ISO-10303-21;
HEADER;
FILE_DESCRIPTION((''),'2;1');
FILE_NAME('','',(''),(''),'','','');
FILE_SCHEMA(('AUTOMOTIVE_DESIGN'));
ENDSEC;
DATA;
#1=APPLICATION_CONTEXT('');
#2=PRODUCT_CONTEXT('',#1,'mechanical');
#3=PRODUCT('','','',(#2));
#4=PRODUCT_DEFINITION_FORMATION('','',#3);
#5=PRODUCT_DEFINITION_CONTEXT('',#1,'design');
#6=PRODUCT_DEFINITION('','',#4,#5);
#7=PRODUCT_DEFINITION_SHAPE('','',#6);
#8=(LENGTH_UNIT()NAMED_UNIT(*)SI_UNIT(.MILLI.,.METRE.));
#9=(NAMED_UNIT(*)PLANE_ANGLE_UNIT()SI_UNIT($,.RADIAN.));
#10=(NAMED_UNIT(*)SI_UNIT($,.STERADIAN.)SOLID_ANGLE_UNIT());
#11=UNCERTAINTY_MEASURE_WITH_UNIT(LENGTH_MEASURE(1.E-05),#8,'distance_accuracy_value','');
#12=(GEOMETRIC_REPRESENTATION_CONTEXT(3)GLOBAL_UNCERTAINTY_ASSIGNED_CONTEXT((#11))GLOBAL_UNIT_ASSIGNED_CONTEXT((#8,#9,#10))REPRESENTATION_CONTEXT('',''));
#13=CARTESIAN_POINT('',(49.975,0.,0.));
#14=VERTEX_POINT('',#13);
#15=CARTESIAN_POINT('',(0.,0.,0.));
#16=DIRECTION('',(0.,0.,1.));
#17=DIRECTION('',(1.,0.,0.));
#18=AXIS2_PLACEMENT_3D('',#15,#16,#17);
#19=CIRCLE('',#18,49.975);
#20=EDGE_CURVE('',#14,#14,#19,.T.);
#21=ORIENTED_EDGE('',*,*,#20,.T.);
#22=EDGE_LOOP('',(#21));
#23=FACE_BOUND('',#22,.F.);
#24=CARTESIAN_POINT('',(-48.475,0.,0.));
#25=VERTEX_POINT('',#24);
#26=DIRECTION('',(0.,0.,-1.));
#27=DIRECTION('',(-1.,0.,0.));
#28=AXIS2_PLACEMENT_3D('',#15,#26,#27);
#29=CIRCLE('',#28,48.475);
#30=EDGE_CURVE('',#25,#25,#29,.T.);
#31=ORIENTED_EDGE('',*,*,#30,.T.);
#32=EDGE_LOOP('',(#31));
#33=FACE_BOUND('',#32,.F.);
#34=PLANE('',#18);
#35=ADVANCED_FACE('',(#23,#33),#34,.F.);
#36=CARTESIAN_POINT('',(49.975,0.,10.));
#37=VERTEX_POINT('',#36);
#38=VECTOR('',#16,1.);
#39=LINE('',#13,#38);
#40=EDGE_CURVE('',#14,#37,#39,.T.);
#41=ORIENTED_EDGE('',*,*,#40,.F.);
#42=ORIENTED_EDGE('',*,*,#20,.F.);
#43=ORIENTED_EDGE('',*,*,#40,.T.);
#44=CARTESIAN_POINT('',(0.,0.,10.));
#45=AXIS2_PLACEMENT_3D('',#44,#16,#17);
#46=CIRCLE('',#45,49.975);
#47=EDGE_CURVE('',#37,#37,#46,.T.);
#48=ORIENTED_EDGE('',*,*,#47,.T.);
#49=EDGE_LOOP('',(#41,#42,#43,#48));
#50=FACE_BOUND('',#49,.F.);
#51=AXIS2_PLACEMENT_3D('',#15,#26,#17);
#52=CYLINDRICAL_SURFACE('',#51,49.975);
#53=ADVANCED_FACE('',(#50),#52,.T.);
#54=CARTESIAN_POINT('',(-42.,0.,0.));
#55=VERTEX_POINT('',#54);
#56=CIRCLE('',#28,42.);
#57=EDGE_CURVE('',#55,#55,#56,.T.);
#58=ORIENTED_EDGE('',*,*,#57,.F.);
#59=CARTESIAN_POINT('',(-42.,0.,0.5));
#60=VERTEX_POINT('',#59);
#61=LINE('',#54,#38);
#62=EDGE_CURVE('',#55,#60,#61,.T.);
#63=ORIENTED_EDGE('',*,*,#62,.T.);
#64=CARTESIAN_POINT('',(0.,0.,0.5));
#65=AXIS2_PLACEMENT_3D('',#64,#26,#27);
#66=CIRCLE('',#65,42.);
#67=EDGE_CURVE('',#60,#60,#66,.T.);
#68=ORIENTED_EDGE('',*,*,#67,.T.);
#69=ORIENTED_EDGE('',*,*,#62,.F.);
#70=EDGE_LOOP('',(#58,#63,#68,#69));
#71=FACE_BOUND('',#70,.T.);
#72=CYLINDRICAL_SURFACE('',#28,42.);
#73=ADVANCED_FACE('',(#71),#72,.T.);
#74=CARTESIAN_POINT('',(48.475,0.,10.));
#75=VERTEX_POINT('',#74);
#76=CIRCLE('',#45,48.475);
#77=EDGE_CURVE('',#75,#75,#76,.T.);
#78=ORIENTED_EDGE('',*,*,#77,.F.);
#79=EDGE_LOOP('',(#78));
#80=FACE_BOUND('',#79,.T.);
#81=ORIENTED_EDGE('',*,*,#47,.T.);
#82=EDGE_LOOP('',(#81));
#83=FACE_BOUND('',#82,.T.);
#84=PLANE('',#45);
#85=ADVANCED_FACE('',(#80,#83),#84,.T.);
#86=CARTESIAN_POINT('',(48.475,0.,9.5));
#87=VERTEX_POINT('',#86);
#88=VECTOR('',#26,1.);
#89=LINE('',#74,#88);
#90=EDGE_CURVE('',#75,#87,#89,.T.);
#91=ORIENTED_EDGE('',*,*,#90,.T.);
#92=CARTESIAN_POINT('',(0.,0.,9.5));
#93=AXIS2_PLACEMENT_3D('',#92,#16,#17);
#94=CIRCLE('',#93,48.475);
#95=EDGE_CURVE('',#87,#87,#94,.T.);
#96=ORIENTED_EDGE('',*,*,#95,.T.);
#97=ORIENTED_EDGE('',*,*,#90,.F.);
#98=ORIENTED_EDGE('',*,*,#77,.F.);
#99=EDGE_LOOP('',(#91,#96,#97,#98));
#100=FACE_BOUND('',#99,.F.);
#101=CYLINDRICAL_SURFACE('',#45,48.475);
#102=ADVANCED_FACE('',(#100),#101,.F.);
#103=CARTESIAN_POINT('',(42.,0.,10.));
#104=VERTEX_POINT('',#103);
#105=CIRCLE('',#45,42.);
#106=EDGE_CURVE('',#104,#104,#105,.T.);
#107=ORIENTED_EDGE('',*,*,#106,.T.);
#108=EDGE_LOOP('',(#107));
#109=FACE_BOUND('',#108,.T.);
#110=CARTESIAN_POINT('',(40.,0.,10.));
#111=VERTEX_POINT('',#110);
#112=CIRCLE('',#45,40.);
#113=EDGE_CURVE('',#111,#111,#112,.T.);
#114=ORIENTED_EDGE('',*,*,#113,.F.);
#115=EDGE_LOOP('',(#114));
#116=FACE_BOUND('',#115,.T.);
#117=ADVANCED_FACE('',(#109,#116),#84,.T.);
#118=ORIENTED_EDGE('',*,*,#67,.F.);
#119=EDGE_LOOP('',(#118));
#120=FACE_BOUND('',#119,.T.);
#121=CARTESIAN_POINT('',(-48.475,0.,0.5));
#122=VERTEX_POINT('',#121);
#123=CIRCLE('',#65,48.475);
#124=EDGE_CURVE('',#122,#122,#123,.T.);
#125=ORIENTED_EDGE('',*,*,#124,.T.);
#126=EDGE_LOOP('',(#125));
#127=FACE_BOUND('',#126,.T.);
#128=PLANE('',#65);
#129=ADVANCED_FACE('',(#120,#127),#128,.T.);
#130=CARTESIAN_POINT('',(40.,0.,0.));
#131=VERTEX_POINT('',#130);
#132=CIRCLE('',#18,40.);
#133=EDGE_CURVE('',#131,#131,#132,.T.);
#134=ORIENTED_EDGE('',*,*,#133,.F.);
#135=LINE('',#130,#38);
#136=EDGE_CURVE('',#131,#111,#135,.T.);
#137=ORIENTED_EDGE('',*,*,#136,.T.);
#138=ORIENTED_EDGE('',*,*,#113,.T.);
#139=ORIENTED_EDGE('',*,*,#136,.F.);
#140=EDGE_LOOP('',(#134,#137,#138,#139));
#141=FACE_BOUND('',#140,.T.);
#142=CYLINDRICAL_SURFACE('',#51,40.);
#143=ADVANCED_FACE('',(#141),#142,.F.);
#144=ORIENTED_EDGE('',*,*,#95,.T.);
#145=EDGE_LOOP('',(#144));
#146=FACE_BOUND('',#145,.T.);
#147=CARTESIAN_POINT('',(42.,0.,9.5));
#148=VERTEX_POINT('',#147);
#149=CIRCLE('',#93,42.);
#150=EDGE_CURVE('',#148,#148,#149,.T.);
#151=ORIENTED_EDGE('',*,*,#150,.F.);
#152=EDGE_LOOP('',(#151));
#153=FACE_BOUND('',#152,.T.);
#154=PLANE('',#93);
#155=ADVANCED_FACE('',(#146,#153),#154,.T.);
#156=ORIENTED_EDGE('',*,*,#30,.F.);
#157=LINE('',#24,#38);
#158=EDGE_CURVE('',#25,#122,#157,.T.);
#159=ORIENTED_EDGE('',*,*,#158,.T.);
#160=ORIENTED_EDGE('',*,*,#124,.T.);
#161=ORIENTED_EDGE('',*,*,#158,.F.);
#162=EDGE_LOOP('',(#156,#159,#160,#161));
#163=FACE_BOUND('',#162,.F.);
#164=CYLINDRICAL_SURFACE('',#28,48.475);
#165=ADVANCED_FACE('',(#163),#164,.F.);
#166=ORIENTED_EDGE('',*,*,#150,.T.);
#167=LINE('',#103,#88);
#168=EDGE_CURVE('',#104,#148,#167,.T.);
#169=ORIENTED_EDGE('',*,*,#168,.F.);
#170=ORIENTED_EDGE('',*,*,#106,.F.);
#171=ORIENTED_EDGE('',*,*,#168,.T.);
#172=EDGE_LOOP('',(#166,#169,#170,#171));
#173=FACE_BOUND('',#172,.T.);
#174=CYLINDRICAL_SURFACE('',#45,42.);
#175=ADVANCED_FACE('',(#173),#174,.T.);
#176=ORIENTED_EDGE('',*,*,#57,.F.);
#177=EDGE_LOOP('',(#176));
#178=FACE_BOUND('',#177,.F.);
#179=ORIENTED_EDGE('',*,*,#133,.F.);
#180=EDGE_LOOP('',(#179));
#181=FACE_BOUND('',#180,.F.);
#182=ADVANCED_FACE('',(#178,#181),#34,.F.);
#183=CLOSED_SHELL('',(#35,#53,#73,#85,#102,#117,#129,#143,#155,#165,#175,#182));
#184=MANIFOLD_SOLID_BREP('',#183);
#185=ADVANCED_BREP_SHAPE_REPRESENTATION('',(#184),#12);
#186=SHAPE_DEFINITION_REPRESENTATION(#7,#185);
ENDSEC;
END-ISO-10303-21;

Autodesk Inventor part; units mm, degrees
ref_plane "YZ Plane" through (0, 0, 0) normal (1, 0, 0) x (0, 1, 0)
ref_plane "XZ Plane" through (0, 0, 0) normal (0, 1, 0) x (-1, 0, 0)
ref_plane "XY Plane" through (0, 0, 0) normal (0, 0, 1) x (1, 0, 0)
sketch "Sketch1" plane through (0, 0, 0) normal (0, 0, 1) x (1, 0, 0)
  circle A0 centre (0, 0) radius 40
  circle A1 centre (0, 0) radius 49.975
  dimension "d0" = 80
  dimension "d1" = 99.95
extrude "Extrusion1" add sketch "Sketch1" along normal blind 10
sketch "Sketch2" plane through (0, 0, 10) normal (0, 0, 1) x (1, 0, 0)
  circle A0 centre (0, 0) radius 49.975 projected
  circle A1 centre (0, 0) radius 40 projected
  circle A2 centre (0, 0) radius 48.475
  circle A3 centre (0, 0) radius 42
  dimension "d4" = 1.5
  dimension "d5" = 2
extrude "Extrusion2" cut sketch "Sketch2" against normal blind 0.5 contours A2
sketch "Sketch3" plane through (0, 0, 0) normal (0, 0, -1) x (-1, 0, 0)
  circle A0 centre (0, 0) radius 42 projected
  circle A1 centre (0, 0) radius 48.475 projected
extrude "Extrusion3" cut sketch "Sketch3" against normal blind 0.5
properties part number "bearing_100x80x10"
